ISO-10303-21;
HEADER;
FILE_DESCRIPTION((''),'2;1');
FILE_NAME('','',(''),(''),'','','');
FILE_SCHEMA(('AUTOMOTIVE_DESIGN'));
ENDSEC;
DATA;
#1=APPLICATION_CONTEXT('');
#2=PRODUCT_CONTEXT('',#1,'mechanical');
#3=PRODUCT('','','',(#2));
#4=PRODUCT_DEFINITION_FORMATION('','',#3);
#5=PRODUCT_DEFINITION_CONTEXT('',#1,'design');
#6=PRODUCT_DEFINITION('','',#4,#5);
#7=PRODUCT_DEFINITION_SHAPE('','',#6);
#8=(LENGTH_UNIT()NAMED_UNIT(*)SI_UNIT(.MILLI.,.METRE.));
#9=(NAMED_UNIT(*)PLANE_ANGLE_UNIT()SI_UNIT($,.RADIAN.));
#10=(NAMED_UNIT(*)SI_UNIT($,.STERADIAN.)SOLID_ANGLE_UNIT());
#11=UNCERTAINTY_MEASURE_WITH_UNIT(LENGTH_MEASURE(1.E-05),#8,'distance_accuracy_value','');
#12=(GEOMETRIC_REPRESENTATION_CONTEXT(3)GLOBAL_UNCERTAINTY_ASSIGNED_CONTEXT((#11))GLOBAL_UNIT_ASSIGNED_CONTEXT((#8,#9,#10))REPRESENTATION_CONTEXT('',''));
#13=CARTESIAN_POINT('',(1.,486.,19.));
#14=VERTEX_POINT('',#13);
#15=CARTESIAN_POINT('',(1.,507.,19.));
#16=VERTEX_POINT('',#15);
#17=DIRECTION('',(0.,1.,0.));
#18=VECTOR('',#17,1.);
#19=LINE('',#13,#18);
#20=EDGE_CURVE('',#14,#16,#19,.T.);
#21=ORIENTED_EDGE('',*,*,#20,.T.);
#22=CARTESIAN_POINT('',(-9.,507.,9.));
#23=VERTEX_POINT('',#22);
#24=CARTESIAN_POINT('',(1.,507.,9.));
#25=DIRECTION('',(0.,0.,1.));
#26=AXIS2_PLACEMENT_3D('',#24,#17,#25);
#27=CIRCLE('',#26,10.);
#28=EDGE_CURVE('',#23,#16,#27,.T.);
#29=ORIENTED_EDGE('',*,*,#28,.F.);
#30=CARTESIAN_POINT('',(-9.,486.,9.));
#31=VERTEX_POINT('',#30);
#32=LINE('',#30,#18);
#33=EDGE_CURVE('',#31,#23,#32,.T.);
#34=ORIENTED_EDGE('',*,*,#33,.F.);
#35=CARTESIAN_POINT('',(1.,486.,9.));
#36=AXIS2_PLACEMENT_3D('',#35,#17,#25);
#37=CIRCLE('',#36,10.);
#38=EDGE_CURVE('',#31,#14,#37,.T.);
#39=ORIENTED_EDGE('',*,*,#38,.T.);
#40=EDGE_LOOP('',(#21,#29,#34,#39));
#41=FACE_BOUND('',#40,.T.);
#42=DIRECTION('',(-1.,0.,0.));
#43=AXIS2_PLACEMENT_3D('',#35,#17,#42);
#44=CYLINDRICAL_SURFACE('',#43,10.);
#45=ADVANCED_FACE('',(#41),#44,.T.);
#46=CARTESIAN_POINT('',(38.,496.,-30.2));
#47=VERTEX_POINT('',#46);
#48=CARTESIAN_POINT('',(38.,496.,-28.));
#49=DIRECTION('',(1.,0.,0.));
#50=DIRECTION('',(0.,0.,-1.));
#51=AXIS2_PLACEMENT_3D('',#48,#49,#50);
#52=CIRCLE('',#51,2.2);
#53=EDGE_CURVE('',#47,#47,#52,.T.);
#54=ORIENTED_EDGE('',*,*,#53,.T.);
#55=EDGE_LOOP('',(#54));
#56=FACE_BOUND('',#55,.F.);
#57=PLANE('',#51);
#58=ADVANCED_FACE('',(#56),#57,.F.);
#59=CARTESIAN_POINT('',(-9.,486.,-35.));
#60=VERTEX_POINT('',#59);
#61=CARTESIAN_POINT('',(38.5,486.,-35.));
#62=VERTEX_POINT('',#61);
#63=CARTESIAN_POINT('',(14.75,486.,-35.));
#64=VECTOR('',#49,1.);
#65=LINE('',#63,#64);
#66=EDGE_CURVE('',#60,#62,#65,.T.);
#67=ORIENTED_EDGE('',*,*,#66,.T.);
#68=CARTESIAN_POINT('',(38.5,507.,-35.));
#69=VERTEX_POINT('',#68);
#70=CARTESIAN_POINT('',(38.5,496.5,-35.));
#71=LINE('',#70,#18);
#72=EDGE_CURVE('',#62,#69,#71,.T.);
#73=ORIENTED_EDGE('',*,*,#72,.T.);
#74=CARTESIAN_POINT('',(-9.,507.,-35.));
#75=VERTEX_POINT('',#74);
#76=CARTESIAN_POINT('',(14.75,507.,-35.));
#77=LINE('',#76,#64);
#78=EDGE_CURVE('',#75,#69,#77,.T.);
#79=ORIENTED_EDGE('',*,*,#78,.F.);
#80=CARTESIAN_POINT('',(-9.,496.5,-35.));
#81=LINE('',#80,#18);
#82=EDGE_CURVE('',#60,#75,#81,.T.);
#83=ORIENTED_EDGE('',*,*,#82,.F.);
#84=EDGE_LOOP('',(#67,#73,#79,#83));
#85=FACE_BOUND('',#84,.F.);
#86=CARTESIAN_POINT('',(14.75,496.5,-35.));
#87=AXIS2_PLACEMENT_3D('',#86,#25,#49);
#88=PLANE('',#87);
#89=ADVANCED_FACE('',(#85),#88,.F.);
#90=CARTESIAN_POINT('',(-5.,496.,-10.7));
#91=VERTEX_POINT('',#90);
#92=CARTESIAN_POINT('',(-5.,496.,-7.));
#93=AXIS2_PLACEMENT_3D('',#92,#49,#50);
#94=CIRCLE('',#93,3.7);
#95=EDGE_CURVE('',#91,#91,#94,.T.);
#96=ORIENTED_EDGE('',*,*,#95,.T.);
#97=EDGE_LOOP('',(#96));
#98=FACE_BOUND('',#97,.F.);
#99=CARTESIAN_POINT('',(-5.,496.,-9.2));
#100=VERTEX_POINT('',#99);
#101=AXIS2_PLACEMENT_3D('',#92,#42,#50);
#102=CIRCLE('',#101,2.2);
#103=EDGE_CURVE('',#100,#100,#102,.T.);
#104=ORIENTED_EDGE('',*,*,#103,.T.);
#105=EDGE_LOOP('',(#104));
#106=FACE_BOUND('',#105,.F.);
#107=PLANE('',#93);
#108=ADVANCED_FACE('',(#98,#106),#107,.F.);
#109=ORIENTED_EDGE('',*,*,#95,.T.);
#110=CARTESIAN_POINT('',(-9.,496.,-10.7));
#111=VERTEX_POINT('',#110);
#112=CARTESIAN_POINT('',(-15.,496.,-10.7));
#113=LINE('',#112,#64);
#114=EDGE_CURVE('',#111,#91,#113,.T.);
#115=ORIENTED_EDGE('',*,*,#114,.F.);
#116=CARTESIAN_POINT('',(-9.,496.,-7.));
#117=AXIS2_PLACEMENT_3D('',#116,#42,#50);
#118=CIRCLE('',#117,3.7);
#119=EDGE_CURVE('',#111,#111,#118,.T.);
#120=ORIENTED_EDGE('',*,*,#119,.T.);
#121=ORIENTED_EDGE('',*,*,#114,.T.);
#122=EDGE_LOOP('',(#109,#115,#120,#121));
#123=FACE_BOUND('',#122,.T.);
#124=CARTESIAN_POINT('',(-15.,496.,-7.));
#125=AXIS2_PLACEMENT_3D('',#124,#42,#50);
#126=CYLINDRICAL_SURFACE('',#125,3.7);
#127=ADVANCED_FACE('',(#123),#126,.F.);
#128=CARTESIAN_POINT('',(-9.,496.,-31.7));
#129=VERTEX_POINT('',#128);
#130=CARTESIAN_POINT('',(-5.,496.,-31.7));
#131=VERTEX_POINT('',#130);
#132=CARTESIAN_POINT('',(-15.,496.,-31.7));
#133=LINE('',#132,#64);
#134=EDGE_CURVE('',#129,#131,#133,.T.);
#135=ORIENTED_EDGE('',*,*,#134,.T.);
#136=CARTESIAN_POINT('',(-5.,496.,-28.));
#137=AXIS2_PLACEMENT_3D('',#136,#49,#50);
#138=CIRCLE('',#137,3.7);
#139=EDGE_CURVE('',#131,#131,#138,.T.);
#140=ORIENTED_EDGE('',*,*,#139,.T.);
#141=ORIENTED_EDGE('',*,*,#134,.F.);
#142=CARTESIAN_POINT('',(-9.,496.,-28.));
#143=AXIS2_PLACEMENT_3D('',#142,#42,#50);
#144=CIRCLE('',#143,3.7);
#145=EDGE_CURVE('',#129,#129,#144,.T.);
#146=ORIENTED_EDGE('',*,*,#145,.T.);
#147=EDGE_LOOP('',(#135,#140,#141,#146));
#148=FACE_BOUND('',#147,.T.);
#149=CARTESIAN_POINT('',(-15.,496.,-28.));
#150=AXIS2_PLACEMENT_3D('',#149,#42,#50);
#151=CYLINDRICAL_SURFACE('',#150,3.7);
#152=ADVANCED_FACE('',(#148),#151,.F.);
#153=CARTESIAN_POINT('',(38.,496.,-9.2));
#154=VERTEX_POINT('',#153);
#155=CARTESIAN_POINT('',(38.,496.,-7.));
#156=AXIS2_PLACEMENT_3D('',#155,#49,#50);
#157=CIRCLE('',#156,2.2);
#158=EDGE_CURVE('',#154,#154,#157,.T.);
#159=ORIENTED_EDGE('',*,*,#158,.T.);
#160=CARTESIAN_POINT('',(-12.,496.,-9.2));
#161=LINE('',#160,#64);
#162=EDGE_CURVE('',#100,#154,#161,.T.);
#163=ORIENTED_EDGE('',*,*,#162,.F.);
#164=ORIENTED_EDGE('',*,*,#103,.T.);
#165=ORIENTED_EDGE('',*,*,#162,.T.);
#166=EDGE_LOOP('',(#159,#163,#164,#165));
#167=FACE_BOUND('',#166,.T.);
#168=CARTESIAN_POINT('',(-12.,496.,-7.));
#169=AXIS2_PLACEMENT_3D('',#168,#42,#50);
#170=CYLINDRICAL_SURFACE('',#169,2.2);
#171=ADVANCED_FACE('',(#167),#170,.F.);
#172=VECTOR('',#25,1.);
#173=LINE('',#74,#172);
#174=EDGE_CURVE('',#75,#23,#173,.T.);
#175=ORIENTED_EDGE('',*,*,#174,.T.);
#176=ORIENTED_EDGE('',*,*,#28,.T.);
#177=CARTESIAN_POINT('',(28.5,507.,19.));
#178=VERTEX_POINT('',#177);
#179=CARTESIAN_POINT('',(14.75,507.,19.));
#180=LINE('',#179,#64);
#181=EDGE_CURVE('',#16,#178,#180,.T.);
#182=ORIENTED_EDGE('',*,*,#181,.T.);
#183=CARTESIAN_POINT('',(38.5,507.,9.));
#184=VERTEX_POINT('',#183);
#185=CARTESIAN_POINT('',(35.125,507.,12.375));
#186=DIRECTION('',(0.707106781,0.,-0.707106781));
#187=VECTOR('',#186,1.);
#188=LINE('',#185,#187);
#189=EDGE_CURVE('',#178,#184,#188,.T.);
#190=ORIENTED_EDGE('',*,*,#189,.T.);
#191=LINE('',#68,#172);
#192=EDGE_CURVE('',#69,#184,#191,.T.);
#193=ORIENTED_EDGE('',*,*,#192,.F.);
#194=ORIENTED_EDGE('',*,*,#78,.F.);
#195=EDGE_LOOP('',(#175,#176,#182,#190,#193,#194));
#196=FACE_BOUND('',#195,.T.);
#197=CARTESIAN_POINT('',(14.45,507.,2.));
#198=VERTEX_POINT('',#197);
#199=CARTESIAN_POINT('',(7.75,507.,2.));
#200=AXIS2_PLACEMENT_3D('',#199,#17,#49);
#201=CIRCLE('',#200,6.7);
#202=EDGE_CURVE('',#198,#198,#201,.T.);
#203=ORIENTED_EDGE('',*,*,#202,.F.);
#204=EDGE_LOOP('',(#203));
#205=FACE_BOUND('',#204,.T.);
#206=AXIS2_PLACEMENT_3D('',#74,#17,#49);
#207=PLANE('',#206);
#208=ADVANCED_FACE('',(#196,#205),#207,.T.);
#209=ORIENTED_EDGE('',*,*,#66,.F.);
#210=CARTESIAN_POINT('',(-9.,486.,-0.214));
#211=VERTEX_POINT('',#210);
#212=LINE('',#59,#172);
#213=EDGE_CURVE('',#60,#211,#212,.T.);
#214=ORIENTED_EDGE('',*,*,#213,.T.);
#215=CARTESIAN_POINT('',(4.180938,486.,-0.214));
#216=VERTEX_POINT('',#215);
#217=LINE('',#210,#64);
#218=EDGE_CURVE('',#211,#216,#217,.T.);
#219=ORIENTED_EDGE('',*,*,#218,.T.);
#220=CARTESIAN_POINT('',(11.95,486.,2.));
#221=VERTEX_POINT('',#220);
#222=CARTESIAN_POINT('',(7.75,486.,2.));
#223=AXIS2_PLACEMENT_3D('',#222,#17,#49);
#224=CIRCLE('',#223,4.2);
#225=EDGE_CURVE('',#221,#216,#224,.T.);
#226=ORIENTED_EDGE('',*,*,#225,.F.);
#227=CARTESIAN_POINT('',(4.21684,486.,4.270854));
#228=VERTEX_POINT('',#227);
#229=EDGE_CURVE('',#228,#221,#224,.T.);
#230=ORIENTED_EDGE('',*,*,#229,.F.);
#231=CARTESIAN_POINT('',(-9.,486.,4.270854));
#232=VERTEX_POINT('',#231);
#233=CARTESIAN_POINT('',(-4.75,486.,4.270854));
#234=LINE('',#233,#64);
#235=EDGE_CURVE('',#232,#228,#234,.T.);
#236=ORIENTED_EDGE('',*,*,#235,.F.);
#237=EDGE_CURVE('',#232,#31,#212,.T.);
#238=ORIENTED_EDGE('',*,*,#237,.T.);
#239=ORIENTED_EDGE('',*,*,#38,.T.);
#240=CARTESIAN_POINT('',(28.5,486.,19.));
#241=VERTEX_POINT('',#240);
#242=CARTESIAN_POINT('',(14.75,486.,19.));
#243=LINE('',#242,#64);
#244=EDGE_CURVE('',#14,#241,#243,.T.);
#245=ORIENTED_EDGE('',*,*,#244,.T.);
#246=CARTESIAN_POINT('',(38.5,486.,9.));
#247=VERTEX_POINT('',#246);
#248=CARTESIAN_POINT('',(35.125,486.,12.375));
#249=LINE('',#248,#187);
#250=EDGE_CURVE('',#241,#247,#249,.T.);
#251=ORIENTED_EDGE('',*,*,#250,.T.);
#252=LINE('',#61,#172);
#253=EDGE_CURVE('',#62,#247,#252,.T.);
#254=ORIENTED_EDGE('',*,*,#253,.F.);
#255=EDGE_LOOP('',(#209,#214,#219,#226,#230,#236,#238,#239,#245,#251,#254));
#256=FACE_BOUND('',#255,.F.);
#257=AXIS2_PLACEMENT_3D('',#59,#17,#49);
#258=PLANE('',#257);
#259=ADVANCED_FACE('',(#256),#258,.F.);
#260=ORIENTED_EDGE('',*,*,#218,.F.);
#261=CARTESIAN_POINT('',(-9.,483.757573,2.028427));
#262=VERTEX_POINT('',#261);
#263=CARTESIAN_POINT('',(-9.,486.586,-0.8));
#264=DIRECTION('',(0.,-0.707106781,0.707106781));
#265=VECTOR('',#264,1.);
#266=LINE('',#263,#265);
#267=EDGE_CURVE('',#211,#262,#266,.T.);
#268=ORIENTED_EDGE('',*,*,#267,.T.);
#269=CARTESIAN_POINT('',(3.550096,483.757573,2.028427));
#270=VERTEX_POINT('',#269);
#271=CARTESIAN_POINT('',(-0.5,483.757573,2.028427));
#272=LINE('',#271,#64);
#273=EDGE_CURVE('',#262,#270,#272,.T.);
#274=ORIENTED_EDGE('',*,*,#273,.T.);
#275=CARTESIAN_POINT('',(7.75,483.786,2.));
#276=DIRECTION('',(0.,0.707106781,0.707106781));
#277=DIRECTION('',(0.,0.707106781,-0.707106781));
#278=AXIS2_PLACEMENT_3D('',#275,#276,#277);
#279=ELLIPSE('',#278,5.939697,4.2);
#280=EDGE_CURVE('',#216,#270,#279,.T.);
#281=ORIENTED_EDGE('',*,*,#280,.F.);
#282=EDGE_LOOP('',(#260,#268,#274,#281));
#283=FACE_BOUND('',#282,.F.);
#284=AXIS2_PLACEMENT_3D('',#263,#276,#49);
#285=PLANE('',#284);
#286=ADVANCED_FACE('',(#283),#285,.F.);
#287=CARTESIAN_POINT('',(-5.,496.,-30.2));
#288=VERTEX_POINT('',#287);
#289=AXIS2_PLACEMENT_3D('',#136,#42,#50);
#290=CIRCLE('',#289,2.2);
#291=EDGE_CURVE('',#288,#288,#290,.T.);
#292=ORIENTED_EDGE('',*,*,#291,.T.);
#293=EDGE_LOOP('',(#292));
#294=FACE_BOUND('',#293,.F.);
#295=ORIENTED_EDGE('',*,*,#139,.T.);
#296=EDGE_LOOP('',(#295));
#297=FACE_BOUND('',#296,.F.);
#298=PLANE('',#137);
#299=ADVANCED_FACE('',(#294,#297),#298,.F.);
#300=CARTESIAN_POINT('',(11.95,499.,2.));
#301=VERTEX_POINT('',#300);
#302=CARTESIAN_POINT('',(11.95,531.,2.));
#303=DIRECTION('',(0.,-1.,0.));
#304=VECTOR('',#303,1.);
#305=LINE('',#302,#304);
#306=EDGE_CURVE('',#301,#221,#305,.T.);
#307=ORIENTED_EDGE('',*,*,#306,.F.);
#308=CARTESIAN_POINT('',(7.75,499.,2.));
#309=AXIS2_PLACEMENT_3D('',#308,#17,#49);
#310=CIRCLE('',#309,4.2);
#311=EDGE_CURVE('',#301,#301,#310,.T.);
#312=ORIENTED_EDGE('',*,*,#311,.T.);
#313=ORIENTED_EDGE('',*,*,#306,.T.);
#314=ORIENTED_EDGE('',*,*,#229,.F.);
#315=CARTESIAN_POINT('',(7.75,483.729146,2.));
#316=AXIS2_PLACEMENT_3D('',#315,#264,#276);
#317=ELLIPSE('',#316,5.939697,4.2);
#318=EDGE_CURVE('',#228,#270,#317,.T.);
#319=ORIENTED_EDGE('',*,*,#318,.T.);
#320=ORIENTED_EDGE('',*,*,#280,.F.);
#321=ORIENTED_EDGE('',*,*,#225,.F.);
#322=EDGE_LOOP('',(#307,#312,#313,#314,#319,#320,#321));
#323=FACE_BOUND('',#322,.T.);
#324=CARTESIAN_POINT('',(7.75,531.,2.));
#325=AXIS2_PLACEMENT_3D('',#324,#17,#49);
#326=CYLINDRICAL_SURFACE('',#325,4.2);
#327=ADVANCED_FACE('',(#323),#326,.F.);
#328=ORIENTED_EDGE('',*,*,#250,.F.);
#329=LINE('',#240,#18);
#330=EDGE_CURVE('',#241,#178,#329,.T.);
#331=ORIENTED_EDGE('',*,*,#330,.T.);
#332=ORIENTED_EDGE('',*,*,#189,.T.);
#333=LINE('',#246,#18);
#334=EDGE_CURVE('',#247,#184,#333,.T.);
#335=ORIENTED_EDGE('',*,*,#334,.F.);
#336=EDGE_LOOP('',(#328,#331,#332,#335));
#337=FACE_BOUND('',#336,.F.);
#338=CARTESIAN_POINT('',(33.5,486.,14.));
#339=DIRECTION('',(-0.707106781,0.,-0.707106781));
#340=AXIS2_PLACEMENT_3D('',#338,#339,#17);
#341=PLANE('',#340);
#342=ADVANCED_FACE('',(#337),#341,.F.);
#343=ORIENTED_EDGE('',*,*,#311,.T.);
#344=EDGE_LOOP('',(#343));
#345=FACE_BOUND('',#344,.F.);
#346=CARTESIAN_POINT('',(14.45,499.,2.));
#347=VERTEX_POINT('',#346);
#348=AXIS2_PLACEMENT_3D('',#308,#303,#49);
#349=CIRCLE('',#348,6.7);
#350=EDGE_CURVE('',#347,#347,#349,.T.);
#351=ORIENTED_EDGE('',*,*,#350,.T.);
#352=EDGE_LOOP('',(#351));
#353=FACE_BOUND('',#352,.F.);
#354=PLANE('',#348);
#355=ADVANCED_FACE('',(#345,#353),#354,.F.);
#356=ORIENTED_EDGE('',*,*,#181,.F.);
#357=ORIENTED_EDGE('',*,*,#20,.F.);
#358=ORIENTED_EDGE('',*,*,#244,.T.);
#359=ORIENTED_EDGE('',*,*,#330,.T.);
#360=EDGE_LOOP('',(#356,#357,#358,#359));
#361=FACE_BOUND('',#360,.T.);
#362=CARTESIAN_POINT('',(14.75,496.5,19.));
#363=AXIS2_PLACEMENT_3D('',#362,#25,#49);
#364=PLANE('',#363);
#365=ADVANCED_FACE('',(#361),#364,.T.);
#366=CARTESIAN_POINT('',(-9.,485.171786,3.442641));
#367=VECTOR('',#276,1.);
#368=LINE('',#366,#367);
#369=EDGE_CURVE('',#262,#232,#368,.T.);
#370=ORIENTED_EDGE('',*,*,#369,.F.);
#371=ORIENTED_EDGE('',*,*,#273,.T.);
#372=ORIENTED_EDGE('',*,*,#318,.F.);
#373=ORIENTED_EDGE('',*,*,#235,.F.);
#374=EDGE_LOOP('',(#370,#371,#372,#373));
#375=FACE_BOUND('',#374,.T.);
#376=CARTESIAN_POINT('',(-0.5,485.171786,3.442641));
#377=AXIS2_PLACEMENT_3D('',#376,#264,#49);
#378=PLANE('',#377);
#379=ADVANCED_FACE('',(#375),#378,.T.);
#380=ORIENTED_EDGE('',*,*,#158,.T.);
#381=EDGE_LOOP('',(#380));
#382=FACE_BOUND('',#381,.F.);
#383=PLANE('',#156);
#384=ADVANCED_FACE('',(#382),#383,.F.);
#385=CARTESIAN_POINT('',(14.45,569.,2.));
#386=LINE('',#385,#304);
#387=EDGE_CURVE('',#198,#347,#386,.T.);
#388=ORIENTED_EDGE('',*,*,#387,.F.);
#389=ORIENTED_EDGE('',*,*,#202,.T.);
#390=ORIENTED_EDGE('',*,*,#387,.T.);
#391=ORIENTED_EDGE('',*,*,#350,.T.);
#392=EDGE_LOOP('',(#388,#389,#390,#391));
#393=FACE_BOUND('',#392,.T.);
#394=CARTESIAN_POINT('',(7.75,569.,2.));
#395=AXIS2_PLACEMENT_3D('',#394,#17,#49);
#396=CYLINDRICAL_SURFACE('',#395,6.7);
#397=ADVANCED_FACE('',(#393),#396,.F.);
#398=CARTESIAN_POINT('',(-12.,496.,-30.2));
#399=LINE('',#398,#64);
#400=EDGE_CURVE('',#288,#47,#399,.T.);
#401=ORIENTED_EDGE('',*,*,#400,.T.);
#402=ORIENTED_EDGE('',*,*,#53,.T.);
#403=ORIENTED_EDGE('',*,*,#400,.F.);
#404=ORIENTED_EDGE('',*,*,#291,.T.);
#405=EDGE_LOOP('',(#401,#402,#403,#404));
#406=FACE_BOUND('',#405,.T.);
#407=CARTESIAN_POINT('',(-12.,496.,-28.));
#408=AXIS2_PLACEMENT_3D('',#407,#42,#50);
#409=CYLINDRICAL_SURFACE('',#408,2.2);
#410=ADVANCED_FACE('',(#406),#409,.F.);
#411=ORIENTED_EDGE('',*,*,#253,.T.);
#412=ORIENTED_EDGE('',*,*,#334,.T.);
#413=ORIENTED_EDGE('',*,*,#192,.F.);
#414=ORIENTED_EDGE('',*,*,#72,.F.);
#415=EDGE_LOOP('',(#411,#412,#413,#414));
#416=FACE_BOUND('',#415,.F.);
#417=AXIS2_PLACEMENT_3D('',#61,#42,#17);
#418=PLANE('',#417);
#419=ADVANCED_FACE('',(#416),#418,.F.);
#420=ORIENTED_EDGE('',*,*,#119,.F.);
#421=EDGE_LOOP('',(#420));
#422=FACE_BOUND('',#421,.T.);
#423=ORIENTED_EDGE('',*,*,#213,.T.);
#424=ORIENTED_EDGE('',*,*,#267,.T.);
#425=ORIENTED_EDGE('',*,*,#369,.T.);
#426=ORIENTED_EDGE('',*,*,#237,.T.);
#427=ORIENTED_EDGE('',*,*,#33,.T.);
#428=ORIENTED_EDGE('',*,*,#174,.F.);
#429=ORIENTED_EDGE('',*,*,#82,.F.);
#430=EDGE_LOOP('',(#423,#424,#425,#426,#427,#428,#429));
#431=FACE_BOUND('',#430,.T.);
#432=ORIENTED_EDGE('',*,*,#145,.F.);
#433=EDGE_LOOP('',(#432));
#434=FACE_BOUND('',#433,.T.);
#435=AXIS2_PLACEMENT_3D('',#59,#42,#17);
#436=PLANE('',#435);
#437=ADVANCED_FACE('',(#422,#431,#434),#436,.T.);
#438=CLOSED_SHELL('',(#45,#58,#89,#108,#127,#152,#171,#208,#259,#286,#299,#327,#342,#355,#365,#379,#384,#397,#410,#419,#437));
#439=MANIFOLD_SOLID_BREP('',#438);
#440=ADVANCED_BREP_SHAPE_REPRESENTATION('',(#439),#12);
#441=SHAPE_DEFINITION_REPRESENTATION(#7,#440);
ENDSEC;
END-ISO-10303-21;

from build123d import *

# Parameters (mm, degrees)
CYLINDER013_R           = 3.7
CYLINDER013_DEPTH       = 10
CYLINDER013_PITCH_ANGLE = 90
CYLINDER012_R           = 2.2
CYLINDER012_DEPTH       = 50
CYLINDER012_PITCH_ANGLE = 90
CYLINDER011_R           = 6.7
CYLINDER011_DEPTH       = 70
CYLINDER011_ROLL_ANGLE  = 90
CYLINDER010_R           = 4.2
CYLINDER010_DEPTH       = 70
CYLINDER010_ROLL_ANGLE  = 90
BOX005009006_W          = 17
BOX005009006_H          = 4
BOX005009006_DEPTH      = 4
BOX005009006_ROLL_ANGLE = 45
BOX005007_W             = 47.5
BOX005007_H             = 21
BOX005007_DEPTH         = 54
FILLET002_R             = 10
CHAMFER007_SIZE         = 10


with BuildPart() as cylinder012:
    # Cylinder013 → Cylinder013 (new body)
    with BuildSketch(Plane.XY):
        Circle(CYLINDER013_R)
    extrude(amount=CYLINDER013_DEPTH)


with BuildPart() as cylinder012_1:
    # Cylinder013 pitch: moved
    add(cylinder012.part.rotate(Axis((0, 0, 0), (0, 1, 0)), CYLINDER013_PITCH_ANGLE))


with BuildPart() as cylinder012_2:
    # Cylinder013 placement: moved
    add(cylinder012_1.part.moved(Location((-15, 496, 2))))


with BuildPart() as cylinder:
    # Cylinder012 → Cylinder012 (new body)
    with BuildSketch(Plane.XY):
        Circle(CYLINDER012_R)
    extrude(amount=CYLINDER012_DEPTH)


with BuildPart() as cylinder_1:
    # Cylinder012 pitch: moved
    add(cylinder.part.rotate(Axis((0, 0, 0), (0, 1, 0)), CYLINDER012_PITCH_ANGLE))


with BuildPart() as cylinder_2:
    # Cylinder012 placement: moved
    add(cylinder_1.part.moved(Location((-12, 496, 2))))


with BuildPart() as m4_screw001:
    # Fusion006 base: copy of Cylinder
    add(cylinder_2.part)

    # Fusion006: union Cylinder012
    add(cylinder012_2.part)


with BuildPart() as m4_screw001_1:
    # Fusion006 placement: moved
    add(m4_screw001.part.moved(Location((0, 0, -9))))


with BuildPart() as fusion007:
    # Fusion005 base: copy of Cylinder
    add(cylinder_2.part)

    # Fusion005: union Cylinder012
    add(cylinder012_2.part)


with BuildPart() as fusion007_1:
    # Fusion005 placement: moved
    add(fusion007.part.moved(Location((0, 0, -30))))

    # Fusion007: union M4-screw001
    add(m4_screw001_1.part)


with BuildPart() as cylinder011:
    # Cylinder011 → Cylinder011 (new body)
    with BuildSketch(Plane.XY):
        Circle(CYLINDER011_R)
    extrude(amount=CYLINDER011_DEPTH)


with BuildPart() as cylinder011_1:
    # Cylinder011 roll: moved
    add(cylinder011.part.rotate(Axis((0, 0, 0), (1, 0, 0)), CYLINDER011_ROLL_ANGLE))


with BuildPart() as cylinder011_2:
    # Cylinder011 placement: moved
    add(cylinder011_1.part.moved(Location((7.75, 569, 2))))


with BuildPart() as cylinder010:
    # Cylinder010 → Cylinder010 (new body)
    with BuildSketch(Plane.XY):
        Circle(CYLINDER010_R)
    extrude(amount=CYLINDER010_DEPTH)


with BuildPart() as cylinder010_1:
    # Cylinder010 roll: moved
    add(cylinder010.part.rotate(Axis((0, 0, 0), (1, 0, 0)), CYLINDER010_ROLL_ANGLE))


with BuildPart() as cylinder010_2:
    # Cylinder010 placement: moved
    add(cylinder010_1.part.moved(Location((7.75, 531, 2))))


with BuildPart() as bracket_blank003:
    # Box005009006 → Box005009006 (new body)
    with BuildSketch(Plane.XY):
        with Locations((8.5, 2)):
            Rectangle(BOX005009006_W, BOX005009006_H)
    extrude(amount=BOX005009006_DEPTH)


with BuildPart() as bracket_blank003_1:
    # Box005009006 roll: moved
    add(bracket_blank003.part.rotate(Axis((0, 0, 0), (1, 0, 0)), BOX005009006_ROLL_ANGLE))


with BuildPart() as bracket_blank003_2:
    # Box005009006 placement: moved
    add(bracket_blank003_1.part.moved(Location((-9, 486.586, -0.8))))


with BuildPart() as bracket:
    # Box005007 → Box005007 (new body)
    with BuildSketch(Plane(origin=(-9, 486, -35), x_dir=(1, 0, 0), z_dir=(0, 0, 1))):
        with Locations((23.75, 10.5)):
            Rectangle(BOX005007_W, BOX005007_H)
    extrude(amount=BOX005007_DEPTH)

    # Fusion004: union bracket-blank003
    add(bracket_blank003_2.part)

    # Cut012: cut Cylinder010
    add(cylinder010_2.part, mode=Mode.SUBTRACT)

    # Cut013: cut Cylinder011
    add(cylinder011_2.part, mode=Mode.SUBTRACT)

    # Cut014: cut Fusion007
    add(fusion007_1.part, mode=Mode.SUBTRACT)

    # Fillet002
    fillet002_edges = [bracket.edges().sort_by_distance(p)[0] for p in [
        (-9, 496.5, 19),
    ]]
    fillet(fillet002_edges, radius=FILLET002_R)

    # Chamfer007
    chamfer007_edges = [bracket.edges().sort_by_distance(p)[0] for p in [
        (38.5, 496.5, 19),
    ]]
    chamfer(chamfer007_edges, length=CHAMFER007_SIZE)


solid = bracket.part
